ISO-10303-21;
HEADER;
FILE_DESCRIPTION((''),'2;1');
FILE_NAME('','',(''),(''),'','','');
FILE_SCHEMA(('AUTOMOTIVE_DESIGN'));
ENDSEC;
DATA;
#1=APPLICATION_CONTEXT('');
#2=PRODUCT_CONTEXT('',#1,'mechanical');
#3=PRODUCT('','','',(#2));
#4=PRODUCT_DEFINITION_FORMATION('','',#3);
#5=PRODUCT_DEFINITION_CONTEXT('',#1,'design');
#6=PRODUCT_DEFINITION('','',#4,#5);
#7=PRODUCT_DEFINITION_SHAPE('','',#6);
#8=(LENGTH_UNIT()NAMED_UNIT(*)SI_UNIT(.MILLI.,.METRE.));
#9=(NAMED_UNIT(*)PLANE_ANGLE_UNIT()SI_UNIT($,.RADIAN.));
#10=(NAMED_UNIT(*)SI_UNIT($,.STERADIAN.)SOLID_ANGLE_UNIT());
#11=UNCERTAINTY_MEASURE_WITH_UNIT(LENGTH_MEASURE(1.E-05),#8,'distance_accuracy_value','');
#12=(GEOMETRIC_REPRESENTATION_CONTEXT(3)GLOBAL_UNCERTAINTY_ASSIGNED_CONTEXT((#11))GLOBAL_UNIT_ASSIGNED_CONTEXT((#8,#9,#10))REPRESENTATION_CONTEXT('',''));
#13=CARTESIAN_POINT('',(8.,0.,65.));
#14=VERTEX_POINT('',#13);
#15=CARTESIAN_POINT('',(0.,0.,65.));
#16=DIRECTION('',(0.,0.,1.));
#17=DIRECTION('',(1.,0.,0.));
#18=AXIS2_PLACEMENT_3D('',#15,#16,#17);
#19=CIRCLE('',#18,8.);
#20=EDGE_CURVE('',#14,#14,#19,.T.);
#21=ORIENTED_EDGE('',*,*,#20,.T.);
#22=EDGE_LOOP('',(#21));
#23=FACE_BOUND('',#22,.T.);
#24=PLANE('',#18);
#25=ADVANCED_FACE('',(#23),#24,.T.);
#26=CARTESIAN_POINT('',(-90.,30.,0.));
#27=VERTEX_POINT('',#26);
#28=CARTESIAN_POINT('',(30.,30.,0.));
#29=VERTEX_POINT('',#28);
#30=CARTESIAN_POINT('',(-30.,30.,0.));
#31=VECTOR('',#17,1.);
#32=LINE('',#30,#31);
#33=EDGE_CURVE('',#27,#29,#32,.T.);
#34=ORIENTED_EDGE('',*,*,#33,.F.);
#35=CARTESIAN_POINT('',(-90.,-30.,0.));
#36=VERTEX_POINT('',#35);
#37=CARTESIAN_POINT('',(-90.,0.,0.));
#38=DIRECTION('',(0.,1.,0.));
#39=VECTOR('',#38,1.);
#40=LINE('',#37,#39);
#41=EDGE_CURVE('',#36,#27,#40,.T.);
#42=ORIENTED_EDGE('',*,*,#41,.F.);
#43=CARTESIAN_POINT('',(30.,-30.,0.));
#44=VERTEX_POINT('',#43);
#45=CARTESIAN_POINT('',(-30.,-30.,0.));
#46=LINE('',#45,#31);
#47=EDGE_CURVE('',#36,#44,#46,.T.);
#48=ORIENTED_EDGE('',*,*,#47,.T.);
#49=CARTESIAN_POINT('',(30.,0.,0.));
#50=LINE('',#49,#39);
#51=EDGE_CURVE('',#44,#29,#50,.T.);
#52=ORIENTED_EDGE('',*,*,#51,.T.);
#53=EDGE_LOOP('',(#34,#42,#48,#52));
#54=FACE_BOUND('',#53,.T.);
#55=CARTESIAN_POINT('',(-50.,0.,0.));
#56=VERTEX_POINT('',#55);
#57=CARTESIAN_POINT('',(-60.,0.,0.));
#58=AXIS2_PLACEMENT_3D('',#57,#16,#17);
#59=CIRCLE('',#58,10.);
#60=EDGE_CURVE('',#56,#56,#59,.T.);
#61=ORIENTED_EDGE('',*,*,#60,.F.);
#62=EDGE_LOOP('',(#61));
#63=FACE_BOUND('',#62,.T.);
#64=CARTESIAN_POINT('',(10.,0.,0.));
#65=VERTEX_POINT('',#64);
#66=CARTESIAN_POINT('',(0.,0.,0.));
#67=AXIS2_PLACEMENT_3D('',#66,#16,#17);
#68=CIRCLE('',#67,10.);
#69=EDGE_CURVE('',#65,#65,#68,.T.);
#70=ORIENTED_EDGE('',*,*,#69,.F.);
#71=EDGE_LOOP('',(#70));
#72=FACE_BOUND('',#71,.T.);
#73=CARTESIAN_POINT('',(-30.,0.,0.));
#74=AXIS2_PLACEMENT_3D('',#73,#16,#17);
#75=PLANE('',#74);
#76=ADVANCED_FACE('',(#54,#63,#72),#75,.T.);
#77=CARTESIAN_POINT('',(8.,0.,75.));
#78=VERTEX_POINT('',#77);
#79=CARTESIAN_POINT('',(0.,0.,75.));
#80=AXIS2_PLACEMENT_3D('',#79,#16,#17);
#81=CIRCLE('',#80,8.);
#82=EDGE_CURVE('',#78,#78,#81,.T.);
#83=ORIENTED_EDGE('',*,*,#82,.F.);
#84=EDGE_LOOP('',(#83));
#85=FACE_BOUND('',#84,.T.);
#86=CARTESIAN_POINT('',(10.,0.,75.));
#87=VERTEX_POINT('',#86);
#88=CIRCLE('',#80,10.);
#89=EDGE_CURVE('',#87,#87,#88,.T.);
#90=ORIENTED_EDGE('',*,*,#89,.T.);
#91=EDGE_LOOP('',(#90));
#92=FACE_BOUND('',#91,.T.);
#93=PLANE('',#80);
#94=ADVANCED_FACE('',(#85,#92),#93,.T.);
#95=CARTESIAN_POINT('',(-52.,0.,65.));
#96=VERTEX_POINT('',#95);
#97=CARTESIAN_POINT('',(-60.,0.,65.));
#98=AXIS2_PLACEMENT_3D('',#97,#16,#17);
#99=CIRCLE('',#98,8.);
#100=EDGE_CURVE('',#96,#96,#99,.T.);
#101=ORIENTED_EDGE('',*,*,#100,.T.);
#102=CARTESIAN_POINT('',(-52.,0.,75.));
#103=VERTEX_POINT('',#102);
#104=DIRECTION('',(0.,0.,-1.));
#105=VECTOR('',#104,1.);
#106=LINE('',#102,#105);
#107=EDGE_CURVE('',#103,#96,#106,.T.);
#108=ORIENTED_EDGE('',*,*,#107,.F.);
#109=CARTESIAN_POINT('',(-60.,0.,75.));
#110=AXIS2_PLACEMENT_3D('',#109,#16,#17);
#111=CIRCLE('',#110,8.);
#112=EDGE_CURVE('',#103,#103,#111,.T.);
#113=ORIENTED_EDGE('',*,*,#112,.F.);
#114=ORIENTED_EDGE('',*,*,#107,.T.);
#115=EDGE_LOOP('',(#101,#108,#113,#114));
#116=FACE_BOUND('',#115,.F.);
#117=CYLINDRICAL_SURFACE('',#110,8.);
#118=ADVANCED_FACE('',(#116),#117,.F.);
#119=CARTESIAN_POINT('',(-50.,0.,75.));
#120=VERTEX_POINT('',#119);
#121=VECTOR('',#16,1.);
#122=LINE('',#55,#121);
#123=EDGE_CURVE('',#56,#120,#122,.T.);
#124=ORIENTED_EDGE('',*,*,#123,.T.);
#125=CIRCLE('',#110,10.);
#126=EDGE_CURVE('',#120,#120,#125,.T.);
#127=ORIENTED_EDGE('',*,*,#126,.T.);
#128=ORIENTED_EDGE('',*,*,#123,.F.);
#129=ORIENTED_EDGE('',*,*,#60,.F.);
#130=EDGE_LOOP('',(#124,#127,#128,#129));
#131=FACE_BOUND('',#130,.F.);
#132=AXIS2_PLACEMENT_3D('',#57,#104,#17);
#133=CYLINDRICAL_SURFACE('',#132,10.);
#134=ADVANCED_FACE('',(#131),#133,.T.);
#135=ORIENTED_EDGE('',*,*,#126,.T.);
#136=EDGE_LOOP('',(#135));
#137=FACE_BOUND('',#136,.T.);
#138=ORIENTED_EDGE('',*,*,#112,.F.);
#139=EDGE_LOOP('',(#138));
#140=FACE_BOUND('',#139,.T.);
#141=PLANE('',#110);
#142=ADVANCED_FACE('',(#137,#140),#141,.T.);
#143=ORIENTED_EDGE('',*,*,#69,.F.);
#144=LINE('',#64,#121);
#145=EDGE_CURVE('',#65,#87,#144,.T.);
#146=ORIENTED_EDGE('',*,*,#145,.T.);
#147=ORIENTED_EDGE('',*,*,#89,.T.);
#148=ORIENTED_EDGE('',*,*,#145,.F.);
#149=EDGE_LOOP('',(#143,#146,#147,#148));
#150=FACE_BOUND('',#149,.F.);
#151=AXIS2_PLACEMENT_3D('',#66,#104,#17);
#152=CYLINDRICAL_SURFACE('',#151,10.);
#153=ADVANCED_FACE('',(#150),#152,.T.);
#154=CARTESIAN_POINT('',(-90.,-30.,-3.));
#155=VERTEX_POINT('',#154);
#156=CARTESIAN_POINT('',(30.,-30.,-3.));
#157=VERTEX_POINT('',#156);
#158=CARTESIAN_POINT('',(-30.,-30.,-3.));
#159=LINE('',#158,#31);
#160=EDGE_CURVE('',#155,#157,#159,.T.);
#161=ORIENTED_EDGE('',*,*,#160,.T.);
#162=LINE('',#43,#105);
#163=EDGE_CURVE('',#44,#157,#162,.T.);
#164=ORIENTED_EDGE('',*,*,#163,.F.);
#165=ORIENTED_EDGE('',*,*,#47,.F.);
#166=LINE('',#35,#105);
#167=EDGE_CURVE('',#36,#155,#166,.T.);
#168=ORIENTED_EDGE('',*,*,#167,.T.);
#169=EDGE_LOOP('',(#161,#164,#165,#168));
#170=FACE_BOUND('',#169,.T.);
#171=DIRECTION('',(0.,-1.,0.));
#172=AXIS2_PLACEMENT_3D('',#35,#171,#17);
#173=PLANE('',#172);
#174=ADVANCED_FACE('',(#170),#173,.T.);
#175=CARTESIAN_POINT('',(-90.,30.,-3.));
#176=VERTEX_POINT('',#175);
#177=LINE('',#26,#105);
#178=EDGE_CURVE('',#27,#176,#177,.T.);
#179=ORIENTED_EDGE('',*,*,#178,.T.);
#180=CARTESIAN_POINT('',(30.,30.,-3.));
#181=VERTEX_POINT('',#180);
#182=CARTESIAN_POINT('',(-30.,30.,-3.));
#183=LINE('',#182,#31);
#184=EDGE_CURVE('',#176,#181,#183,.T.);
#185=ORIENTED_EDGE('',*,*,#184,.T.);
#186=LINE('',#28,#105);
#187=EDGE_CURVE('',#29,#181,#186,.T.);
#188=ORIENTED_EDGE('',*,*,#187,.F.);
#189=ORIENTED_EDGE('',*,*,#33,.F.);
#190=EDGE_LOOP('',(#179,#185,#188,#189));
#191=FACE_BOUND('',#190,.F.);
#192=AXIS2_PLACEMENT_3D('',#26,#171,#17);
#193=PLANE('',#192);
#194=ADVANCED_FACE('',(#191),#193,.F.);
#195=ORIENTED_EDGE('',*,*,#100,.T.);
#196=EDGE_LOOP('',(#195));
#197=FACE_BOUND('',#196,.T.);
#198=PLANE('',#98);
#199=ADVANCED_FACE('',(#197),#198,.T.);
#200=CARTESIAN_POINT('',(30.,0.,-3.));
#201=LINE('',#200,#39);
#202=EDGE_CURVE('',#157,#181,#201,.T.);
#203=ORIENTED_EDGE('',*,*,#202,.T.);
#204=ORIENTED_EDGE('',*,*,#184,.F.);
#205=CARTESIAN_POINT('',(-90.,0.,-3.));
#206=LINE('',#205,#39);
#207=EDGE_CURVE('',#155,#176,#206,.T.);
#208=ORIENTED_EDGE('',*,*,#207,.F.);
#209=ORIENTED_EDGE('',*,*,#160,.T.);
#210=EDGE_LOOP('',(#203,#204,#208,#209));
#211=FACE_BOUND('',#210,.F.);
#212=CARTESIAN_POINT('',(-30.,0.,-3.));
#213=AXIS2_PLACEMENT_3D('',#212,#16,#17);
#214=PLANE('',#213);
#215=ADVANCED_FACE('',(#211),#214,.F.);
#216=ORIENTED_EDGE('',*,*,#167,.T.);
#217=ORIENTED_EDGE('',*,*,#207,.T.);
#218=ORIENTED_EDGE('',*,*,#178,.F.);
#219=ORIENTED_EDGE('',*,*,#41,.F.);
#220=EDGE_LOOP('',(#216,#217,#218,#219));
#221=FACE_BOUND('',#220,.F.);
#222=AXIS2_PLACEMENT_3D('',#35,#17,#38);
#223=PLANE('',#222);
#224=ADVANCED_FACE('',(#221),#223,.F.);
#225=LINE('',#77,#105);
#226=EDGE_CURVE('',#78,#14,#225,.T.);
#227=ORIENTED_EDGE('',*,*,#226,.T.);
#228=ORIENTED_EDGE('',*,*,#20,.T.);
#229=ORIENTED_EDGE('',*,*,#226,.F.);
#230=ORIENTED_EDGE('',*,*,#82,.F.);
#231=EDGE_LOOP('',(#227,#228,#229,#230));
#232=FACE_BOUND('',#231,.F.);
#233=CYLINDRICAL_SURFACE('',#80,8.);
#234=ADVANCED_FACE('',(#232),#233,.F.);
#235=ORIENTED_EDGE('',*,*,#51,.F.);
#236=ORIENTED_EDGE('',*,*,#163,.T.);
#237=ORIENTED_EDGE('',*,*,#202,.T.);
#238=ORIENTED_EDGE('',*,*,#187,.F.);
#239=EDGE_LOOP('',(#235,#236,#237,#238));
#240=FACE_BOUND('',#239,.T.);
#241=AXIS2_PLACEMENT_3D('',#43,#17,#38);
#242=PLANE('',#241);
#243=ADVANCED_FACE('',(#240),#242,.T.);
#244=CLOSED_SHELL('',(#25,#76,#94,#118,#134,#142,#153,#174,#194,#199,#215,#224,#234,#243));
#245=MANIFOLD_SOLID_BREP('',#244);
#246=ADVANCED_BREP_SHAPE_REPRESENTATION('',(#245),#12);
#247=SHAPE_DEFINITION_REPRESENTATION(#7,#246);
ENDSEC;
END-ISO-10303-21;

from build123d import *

# Parameters (mm, degrees)
F0_W     = 120
F0_H     = 60
F0_R     = 10
F1_DEPTH = 3
F2_DEPTH = 75
F3_R     = 8
F4_DEPTH = 10


with BuildPart() as f1:
    # F0 (on Top) → F1 (new body)
    with BuildSketch(Plane.XY):
        with Locations((-30, 0)):
            Rectangle(F0_W, F0_H)
        with Locations((-60, 0)):
            Circle(F0_R, mode=Mode.SUBTRACT)
        Circle(F0_R, mode=Mode.SUBTRACT)
        with Locations((-60, 0)):
            Circle(F0_R)
        Circle(F0_R)
    extrude(amount=-F1_DEPTH)

    # F0 (on Top) → F2 (join)
    with BuildSketch(Plane.XY):
        with Locations((-60, 0)):
            Circle(F0_R)
        Circle(F0_R)
    extrude(amount=F2_DEPTH)

    # F3 (on face) → F4 (cut)
    with BuildSketch(Plane.XY.offset(75)):
        with Locations((-60, 0)):
            Circle(F3_R)
        Circle(F3_R)
    extrude(amount=-F4_DEPTH, mode=Mode.SUBTRACT)


solid = f1.part
